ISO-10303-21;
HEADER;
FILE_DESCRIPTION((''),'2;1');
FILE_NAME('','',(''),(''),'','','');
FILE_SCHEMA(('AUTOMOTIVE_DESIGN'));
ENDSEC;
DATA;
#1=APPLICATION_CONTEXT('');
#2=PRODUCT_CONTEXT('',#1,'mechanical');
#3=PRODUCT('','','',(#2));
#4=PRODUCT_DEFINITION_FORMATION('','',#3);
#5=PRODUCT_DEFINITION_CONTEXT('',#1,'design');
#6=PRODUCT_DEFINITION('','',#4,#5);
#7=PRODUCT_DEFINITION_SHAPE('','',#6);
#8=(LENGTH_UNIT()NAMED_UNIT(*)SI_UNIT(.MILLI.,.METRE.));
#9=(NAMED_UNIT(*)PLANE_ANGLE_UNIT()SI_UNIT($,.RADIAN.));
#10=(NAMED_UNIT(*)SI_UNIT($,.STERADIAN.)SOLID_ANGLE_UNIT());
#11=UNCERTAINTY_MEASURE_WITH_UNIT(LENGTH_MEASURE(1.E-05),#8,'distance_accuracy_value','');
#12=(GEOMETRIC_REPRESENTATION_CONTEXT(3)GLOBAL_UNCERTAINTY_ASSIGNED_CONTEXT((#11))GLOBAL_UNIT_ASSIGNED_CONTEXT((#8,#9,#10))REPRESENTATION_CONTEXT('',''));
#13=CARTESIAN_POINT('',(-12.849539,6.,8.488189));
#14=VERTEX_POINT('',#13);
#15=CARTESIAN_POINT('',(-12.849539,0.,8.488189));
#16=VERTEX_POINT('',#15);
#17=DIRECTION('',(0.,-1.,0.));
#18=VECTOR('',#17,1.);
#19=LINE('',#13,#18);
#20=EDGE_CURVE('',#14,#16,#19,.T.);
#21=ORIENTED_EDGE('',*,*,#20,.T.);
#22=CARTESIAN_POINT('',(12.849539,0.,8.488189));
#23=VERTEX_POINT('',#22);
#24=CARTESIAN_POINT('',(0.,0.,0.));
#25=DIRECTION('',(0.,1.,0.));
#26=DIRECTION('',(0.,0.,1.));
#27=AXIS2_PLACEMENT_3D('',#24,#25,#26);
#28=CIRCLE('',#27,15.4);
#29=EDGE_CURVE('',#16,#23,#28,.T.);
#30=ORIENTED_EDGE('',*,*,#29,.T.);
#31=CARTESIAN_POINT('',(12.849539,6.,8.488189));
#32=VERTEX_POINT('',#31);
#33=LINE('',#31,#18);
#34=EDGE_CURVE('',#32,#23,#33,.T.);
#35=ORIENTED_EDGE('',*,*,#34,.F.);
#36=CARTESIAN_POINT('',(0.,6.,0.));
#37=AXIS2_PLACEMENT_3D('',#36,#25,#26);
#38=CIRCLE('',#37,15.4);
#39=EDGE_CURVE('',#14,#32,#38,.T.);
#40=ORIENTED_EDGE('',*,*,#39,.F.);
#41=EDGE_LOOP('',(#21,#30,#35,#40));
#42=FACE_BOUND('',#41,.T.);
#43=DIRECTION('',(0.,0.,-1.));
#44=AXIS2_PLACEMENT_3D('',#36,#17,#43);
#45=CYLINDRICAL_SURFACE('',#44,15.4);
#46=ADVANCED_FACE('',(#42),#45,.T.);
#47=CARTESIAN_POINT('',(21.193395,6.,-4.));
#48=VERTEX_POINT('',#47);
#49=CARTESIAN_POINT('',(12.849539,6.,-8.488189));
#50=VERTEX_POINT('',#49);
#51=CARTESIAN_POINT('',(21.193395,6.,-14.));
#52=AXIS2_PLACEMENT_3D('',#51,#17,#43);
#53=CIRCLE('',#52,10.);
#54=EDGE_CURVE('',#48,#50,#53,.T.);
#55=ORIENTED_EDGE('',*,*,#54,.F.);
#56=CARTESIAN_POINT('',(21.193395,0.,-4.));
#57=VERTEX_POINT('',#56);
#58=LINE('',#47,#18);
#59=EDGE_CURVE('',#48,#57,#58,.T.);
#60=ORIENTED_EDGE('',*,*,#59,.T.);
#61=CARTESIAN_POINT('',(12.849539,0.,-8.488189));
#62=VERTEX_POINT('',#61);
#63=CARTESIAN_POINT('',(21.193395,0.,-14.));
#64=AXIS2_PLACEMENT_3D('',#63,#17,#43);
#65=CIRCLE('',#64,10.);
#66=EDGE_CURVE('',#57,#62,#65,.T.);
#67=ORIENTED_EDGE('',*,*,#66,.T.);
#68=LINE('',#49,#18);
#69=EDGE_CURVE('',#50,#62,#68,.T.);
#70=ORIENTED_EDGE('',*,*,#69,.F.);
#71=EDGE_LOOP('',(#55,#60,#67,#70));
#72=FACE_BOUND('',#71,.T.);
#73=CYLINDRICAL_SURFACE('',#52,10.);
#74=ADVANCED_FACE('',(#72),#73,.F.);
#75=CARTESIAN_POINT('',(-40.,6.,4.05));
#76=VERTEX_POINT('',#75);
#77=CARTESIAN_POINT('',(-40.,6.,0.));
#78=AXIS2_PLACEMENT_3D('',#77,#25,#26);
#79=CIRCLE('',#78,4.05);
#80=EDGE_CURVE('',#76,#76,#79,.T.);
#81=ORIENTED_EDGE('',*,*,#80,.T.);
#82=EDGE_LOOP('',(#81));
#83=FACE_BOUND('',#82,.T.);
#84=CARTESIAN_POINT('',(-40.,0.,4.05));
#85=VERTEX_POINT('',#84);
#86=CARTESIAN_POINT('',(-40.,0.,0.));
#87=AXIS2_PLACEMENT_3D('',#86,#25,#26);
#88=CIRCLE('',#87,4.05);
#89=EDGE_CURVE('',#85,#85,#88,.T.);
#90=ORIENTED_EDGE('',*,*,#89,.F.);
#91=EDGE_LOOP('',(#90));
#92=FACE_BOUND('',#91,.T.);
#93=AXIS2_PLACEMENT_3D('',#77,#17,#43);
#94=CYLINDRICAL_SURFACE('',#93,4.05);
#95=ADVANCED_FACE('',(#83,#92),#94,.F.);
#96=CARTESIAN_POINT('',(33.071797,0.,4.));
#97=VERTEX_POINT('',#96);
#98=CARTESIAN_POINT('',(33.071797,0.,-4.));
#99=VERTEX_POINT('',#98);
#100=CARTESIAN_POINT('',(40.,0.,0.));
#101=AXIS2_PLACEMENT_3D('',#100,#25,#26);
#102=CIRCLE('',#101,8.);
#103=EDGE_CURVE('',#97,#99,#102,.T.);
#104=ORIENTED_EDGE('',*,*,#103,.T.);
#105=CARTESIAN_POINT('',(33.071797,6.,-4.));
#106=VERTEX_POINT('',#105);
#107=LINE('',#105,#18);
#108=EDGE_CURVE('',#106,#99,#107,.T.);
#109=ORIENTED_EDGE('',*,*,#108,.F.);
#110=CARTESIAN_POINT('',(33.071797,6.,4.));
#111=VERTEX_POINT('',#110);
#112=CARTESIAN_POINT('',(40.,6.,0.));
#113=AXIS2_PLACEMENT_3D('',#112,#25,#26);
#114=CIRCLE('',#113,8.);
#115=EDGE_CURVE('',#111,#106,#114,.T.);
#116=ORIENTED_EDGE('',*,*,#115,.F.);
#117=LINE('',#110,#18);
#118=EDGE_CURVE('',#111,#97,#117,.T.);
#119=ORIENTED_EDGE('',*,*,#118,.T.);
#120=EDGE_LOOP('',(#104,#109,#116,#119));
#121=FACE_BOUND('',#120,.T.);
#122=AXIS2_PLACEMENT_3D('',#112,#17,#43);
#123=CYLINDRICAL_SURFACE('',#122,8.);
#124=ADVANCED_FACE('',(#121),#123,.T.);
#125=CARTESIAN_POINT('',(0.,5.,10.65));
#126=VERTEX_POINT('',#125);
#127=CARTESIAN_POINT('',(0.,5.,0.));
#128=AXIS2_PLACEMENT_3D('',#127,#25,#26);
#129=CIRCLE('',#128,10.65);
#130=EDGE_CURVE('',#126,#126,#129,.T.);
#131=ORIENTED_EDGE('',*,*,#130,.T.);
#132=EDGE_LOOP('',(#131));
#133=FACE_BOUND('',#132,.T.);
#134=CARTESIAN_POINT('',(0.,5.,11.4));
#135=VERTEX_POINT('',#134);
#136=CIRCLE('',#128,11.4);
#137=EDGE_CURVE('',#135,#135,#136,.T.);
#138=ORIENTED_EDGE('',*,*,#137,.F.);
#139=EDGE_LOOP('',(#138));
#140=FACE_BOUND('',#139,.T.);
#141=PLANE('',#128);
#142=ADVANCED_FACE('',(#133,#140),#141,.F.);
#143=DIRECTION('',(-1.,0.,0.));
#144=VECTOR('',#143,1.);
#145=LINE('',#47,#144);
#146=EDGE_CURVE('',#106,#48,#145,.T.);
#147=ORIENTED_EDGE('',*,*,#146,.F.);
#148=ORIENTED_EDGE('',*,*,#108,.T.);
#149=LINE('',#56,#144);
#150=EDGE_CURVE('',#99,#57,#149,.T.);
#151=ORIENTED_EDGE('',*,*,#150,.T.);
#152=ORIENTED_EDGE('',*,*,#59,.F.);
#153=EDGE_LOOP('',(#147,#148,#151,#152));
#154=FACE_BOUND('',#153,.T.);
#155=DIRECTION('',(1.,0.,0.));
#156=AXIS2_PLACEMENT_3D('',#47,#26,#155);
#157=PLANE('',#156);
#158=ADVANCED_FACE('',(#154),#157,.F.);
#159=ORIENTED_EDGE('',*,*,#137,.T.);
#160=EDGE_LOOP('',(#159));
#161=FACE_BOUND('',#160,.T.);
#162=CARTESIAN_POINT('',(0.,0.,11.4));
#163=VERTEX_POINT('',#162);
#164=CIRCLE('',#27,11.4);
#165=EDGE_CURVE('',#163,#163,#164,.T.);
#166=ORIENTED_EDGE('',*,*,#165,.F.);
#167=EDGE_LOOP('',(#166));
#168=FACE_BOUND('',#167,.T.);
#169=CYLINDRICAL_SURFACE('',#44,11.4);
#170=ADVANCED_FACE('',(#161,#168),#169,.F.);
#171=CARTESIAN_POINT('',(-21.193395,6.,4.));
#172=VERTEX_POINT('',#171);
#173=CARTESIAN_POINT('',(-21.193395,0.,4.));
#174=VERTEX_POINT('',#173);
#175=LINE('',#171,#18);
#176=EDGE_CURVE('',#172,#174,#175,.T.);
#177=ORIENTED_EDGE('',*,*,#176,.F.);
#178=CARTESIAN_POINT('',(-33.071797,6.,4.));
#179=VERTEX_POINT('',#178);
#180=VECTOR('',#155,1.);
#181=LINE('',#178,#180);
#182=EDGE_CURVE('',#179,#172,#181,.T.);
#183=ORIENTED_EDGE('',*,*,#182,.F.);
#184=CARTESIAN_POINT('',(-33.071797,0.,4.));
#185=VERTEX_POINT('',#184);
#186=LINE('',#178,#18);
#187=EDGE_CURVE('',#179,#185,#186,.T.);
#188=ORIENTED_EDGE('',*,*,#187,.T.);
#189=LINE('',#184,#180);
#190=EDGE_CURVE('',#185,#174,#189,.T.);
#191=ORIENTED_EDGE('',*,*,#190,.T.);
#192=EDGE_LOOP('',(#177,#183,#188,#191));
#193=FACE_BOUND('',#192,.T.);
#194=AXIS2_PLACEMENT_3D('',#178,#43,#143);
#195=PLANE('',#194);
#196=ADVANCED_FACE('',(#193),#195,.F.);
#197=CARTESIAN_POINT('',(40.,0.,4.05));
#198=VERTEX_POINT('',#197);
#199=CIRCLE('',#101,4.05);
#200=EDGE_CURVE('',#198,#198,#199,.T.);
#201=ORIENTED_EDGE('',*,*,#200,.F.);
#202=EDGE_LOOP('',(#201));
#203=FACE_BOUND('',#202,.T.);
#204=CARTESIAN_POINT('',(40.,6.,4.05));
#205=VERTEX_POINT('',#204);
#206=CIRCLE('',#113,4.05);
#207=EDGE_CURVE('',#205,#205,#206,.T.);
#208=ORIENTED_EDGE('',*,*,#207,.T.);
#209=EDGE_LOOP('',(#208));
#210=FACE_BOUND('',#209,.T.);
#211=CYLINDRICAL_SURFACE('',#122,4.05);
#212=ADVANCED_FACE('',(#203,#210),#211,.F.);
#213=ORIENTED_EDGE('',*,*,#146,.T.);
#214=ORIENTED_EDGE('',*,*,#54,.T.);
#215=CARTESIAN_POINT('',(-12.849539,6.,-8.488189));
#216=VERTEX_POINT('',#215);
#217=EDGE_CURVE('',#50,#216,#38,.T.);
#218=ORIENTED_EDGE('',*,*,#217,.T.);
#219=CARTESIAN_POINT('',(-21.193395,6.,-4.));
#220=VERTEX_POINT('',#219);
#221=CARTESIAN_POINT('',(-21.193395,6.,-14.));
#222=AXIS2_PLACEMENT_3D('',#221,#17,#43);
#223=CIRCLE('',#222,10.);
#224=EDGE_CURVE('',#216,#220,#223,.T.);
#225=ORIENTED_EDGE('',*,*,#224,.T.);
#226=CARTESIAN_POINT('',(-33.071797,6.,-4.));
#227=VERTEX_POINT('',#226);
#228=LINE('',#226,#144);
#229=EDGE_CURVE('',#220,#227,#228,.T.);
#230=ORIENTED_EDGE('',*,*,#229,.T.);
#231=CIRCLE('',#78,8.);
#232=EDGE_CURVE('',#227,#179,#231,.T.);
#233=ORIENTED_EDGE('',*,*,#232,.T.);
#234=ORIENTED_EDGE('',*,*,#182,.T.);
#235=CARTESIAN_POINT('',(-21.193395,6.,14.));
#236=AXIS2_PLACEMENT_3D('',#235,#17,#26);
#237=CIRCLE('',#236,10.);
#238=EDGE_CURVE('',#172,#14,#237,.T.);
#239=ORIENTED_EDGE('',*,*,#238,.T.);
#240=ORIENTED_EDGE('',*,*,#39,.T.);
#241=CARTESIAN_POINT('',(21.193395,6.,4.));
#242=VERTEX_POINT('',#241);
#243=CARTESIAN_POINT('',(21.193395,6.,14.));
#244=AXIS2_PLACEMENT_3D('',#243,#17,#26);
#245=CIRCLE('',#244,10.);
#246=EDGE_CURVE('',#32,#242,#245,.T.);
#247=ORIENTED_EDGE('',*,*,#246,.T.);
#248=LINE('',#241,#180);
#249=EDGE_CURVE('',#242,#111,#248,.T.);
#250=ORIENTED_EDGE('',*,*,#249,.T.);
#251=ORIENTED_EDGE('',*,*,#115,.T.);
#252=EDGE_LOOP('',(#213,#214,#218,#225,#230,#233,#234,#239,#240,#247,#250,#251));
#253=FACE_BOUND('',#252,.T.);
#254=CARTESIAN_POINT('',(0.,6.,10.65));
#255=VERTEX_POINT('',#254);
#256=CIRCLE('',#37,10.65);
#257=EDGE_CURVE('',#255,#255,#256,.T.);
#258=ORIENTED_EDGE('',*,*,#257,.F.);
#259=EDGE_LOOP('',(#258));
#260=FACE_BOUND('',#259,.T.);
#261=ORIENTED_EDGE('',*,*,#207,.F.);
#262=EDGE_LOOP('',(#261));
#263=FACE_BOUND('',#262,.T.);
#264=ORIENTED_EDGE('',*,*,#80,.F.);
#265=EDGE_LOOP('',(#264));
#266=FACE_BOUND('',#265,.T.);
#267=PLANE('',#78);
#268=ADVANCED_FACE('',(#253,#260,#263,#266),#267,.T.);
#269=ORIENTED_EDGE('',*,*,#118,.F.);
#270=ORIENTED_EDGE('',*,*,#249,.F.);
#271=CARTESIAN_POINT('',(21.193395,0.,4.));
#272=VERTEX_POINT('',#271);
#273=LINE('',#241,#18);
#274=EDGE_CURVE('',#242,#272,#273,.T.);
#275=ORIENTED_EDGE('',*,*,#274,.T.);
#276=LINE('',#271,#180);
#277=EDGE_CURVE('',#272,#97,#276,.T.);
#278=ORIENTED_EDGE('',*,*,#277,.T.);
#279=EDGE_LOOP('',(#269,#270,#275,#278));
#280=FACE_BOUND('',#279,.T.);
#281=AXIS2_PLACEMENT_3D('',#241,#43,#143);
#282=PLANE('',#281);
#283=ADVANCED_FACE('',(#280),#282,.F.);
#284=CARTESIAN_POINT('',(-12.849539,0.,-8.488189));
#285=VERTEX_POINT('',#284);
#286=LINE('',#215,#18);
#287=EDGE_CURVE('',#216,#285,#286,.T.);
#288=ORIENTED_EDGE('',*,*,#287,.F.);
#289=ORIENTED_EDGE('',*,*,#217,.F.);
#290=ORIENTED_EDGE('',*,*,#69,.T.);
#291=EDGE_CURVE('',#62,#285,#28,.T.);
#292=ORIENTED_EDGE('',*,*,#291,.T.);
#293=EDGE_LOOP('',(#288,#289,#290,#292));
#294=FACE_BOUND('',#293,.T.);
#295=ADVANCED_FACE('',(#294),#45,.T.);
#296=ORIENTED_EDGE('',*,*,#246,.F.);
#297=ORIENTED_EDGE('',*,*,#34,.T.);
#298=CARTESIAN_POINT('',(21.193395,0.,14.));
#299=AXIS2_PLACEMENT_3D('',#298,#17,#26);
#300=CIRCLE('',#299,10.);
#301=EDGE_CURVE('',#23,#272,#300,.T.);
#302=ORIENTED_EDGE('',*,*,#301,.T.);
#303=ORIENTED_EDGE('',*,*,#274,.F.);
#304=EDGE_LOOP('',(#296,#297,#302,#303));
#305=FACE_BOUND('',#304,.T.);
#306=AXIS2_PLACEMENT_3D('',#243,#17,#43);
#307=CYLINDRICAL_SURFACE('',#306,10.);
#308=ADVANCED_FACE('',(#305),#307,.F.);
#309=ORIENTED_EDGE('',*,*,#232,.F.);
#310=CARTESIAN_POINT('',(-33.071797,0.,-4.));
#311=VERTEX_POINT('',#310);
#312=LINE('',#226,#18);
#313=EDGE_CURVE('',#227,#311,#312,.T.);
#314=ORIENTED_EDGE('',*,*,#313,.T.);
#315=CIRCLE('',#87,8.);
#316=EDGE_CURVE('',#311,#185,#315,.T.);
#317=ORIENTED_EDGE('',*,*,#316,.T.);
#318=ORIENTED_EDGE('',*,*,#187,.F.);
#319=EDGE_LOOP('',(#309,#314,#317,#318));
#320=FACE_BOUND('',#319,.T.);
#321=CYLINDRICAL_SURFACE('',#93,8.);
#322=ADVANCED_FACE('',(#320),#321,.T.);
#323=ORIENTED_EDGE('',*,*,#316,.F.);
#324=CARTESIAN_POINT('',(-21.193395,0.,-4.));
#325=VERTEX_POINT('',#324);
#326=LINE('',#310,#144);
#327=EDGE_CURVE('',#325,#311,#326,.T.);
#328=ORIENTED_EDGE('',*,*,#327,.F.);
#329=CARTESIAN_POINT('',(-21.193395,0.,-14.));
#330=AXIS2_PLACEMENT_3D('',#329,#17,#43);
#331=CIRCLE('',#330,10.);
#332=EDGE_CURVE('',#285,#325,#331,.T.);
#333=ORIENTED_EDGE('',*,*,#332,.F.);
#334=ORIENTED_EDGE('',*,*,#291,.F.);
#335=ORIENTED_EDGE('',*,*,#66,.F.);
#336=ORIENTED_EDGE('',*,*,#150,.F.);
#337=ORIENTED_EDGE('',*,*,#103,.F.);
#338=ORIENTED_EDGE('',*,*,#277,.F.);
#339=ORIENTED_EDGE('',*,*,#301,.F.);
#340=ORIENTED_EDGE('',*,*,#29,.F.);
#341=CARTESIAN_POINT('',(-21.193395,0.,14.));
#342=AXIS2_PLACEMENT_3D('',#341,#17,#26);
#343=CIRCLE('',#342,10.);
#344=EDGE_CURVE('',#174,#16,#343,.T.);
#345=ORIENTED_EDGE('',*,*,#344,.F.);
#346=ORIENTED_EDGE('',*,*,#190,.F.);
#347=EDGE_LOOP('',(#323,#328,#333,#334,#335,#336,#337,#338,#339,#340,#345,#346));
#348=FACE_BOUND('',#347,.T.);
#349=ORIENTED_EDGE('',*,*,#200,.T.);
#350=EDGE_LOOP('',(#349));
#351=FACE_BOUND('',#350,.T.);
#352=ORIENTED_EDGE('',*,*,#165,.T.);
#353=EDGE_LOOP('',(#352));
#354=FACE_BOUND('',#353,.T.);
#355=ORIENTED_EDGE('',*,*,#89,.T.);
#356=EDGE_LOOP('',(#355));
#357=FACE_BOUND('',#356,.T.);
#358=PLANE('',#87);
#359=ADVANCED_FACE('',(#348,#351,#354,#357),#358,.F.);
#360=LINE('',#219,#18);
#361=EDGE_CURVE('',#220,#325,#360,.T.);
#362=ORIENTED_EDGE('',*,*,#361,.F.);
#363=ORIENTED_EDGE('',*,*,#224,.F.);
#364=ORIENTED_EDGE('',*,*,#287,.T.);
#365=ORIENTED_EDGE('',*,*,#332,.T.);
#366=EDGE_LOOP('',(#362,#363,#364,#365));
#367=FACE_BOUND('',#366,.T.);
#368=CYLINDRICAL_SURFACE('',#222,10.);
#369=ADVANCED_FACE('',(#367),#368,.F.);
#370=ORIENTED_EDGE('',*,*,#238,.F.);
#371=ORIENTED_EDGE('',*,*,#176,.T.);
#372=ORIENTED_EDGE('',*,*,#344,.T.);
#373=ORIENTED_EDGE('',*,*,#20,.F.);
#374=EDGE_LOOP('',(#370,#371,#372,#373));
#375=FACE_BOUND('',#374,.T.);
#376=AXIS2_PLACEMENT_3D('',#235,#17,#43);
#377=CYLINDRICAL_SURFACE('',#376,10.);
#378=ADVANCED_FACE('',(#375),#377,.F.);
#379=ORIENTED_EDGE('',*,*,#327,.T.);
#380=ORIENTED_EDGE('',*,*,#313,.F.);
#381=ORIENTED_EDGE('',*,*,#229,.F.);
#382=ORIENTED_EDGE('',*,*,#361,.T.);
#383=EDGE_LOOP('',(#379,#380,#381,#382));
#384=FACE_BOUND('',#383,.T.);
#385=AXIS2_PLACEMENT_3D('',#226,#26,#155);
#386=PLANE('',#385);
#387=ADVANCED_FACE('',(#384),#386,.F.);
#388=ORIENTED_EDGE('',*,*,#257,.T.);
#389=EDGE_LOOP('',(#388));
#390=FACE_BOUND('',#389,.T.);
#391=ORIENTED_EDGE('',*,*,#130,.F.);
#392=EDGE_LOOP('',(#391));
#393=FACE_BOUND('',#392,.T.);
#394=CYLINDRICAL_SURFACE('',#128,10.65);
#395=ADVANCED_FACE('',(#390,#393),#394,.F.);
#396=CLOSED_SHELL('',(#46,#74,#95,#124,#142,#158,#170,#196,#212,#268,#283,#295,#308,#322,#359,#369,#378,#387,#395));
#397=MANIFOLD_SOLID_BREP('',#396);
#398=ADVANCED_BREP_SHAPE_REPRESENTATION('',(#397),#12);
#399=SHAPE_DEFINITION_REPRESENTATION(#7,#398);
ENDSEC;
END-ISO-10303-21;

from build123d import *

# Parameters (mm, degrees)
ESBO_O1_R                = 4.05
ESBO_O1_R_2              = 11.4
RESSALTO_EXTRUS_O1_DEPTH = 6
RESSALTO_EXTRUS_O2_START = -1
ESBO_O2_R                = 11.4
ESBO_O2_R_2              = 10.65
RESSALTO_EXTRUS_O2_DEPTH = 1


with BuildPart() as part:
    # Esboço1 → Ressalto-extrusão1 (new body)
    with BuildSketch(Plane(origin=(0, 0, 0), x_dir=(1, 0, 0), z_dir=(0, 1, 0))):
        with BuildLine():
            Line((-33.07179677, 4), (-21.193395198, 4))
            ThreePointArc((-21.193395198, 4), (-16.456207753, 5.193238103), (-12.849538821, 8.488188976))
            ThreePointArc((-12.849538821, 8.488188976), (0, 15.4), (12.849538821, 8.488188976))
            ThreePointArc((12.849538821, 8.488188976), (16.456207753, 5.193238103), (21.193395198, 4))
            Line((21.193395198, 4), (33.07179677, 4))
            ThreePointArc((33.07179677, 4), (48, 0), (33.07179677, -4))
            Line((33.07179677, -4), (21.193395198, -4))
            ThreePointArc((21.193395198, -4), (16.456207753, -5.193238103), (12.849538821, -8.488188976))
            ThreePointArc((12.849538821, -8.488188976), (0, -15.4), (-12.849538821, -8.488188976))
            ThreePointArc((-12.849538821, -8.488188976), (-16.456207753, -5.193238103), (-21.193395198, -4))
            Line((-21.193395198, -4), (-33.07179677, -4))
            ThreePointArc((-33.07179677, -4), (-48, 0), (-33.07179677, 4))
        make_face()
        with Locations(Location((40, 0, 0), (0, 0, 270))):
            Circle(ESBO_O1_R, mode=Mode.SUBTRACT)
        with Locations(Location((-40, 0, 0), (0, 0, 270))):
            Circle(ESBO_O1_R, mode=Mode.SUBTRACT)
        with Locations(Location((0, 0, 0), (0, 0, 270))):
            Circle(ESBO_O1_R_2, mode=Mode.SUBTRACT)
    extrude(amount=RESSALTO_EXTRUS_O1_DEPTH)

    # Esboço2 → Ressalto-extrusão2 (add)
    with BuildSketch(Plane(origin=(0, 6, 0), x_dir=(1, 0, 0), z_dir=(0, 1, 0)).offset(RESSALTO_EXTRUS_O2_START)):
        with Locations(Location((0, 0, 0), (0, 0, 270))):
            Circle(ESBO_O2_R)
        with Locations(Location((0, 0, 0), (0, 0, 270))):
            Circle(ESBO_O2_R_2, mode=Mode.SUBTRACT)
    extrude(amount=RESSALTO_EXTRUS_O2_DEPTH)


solid = part.part
